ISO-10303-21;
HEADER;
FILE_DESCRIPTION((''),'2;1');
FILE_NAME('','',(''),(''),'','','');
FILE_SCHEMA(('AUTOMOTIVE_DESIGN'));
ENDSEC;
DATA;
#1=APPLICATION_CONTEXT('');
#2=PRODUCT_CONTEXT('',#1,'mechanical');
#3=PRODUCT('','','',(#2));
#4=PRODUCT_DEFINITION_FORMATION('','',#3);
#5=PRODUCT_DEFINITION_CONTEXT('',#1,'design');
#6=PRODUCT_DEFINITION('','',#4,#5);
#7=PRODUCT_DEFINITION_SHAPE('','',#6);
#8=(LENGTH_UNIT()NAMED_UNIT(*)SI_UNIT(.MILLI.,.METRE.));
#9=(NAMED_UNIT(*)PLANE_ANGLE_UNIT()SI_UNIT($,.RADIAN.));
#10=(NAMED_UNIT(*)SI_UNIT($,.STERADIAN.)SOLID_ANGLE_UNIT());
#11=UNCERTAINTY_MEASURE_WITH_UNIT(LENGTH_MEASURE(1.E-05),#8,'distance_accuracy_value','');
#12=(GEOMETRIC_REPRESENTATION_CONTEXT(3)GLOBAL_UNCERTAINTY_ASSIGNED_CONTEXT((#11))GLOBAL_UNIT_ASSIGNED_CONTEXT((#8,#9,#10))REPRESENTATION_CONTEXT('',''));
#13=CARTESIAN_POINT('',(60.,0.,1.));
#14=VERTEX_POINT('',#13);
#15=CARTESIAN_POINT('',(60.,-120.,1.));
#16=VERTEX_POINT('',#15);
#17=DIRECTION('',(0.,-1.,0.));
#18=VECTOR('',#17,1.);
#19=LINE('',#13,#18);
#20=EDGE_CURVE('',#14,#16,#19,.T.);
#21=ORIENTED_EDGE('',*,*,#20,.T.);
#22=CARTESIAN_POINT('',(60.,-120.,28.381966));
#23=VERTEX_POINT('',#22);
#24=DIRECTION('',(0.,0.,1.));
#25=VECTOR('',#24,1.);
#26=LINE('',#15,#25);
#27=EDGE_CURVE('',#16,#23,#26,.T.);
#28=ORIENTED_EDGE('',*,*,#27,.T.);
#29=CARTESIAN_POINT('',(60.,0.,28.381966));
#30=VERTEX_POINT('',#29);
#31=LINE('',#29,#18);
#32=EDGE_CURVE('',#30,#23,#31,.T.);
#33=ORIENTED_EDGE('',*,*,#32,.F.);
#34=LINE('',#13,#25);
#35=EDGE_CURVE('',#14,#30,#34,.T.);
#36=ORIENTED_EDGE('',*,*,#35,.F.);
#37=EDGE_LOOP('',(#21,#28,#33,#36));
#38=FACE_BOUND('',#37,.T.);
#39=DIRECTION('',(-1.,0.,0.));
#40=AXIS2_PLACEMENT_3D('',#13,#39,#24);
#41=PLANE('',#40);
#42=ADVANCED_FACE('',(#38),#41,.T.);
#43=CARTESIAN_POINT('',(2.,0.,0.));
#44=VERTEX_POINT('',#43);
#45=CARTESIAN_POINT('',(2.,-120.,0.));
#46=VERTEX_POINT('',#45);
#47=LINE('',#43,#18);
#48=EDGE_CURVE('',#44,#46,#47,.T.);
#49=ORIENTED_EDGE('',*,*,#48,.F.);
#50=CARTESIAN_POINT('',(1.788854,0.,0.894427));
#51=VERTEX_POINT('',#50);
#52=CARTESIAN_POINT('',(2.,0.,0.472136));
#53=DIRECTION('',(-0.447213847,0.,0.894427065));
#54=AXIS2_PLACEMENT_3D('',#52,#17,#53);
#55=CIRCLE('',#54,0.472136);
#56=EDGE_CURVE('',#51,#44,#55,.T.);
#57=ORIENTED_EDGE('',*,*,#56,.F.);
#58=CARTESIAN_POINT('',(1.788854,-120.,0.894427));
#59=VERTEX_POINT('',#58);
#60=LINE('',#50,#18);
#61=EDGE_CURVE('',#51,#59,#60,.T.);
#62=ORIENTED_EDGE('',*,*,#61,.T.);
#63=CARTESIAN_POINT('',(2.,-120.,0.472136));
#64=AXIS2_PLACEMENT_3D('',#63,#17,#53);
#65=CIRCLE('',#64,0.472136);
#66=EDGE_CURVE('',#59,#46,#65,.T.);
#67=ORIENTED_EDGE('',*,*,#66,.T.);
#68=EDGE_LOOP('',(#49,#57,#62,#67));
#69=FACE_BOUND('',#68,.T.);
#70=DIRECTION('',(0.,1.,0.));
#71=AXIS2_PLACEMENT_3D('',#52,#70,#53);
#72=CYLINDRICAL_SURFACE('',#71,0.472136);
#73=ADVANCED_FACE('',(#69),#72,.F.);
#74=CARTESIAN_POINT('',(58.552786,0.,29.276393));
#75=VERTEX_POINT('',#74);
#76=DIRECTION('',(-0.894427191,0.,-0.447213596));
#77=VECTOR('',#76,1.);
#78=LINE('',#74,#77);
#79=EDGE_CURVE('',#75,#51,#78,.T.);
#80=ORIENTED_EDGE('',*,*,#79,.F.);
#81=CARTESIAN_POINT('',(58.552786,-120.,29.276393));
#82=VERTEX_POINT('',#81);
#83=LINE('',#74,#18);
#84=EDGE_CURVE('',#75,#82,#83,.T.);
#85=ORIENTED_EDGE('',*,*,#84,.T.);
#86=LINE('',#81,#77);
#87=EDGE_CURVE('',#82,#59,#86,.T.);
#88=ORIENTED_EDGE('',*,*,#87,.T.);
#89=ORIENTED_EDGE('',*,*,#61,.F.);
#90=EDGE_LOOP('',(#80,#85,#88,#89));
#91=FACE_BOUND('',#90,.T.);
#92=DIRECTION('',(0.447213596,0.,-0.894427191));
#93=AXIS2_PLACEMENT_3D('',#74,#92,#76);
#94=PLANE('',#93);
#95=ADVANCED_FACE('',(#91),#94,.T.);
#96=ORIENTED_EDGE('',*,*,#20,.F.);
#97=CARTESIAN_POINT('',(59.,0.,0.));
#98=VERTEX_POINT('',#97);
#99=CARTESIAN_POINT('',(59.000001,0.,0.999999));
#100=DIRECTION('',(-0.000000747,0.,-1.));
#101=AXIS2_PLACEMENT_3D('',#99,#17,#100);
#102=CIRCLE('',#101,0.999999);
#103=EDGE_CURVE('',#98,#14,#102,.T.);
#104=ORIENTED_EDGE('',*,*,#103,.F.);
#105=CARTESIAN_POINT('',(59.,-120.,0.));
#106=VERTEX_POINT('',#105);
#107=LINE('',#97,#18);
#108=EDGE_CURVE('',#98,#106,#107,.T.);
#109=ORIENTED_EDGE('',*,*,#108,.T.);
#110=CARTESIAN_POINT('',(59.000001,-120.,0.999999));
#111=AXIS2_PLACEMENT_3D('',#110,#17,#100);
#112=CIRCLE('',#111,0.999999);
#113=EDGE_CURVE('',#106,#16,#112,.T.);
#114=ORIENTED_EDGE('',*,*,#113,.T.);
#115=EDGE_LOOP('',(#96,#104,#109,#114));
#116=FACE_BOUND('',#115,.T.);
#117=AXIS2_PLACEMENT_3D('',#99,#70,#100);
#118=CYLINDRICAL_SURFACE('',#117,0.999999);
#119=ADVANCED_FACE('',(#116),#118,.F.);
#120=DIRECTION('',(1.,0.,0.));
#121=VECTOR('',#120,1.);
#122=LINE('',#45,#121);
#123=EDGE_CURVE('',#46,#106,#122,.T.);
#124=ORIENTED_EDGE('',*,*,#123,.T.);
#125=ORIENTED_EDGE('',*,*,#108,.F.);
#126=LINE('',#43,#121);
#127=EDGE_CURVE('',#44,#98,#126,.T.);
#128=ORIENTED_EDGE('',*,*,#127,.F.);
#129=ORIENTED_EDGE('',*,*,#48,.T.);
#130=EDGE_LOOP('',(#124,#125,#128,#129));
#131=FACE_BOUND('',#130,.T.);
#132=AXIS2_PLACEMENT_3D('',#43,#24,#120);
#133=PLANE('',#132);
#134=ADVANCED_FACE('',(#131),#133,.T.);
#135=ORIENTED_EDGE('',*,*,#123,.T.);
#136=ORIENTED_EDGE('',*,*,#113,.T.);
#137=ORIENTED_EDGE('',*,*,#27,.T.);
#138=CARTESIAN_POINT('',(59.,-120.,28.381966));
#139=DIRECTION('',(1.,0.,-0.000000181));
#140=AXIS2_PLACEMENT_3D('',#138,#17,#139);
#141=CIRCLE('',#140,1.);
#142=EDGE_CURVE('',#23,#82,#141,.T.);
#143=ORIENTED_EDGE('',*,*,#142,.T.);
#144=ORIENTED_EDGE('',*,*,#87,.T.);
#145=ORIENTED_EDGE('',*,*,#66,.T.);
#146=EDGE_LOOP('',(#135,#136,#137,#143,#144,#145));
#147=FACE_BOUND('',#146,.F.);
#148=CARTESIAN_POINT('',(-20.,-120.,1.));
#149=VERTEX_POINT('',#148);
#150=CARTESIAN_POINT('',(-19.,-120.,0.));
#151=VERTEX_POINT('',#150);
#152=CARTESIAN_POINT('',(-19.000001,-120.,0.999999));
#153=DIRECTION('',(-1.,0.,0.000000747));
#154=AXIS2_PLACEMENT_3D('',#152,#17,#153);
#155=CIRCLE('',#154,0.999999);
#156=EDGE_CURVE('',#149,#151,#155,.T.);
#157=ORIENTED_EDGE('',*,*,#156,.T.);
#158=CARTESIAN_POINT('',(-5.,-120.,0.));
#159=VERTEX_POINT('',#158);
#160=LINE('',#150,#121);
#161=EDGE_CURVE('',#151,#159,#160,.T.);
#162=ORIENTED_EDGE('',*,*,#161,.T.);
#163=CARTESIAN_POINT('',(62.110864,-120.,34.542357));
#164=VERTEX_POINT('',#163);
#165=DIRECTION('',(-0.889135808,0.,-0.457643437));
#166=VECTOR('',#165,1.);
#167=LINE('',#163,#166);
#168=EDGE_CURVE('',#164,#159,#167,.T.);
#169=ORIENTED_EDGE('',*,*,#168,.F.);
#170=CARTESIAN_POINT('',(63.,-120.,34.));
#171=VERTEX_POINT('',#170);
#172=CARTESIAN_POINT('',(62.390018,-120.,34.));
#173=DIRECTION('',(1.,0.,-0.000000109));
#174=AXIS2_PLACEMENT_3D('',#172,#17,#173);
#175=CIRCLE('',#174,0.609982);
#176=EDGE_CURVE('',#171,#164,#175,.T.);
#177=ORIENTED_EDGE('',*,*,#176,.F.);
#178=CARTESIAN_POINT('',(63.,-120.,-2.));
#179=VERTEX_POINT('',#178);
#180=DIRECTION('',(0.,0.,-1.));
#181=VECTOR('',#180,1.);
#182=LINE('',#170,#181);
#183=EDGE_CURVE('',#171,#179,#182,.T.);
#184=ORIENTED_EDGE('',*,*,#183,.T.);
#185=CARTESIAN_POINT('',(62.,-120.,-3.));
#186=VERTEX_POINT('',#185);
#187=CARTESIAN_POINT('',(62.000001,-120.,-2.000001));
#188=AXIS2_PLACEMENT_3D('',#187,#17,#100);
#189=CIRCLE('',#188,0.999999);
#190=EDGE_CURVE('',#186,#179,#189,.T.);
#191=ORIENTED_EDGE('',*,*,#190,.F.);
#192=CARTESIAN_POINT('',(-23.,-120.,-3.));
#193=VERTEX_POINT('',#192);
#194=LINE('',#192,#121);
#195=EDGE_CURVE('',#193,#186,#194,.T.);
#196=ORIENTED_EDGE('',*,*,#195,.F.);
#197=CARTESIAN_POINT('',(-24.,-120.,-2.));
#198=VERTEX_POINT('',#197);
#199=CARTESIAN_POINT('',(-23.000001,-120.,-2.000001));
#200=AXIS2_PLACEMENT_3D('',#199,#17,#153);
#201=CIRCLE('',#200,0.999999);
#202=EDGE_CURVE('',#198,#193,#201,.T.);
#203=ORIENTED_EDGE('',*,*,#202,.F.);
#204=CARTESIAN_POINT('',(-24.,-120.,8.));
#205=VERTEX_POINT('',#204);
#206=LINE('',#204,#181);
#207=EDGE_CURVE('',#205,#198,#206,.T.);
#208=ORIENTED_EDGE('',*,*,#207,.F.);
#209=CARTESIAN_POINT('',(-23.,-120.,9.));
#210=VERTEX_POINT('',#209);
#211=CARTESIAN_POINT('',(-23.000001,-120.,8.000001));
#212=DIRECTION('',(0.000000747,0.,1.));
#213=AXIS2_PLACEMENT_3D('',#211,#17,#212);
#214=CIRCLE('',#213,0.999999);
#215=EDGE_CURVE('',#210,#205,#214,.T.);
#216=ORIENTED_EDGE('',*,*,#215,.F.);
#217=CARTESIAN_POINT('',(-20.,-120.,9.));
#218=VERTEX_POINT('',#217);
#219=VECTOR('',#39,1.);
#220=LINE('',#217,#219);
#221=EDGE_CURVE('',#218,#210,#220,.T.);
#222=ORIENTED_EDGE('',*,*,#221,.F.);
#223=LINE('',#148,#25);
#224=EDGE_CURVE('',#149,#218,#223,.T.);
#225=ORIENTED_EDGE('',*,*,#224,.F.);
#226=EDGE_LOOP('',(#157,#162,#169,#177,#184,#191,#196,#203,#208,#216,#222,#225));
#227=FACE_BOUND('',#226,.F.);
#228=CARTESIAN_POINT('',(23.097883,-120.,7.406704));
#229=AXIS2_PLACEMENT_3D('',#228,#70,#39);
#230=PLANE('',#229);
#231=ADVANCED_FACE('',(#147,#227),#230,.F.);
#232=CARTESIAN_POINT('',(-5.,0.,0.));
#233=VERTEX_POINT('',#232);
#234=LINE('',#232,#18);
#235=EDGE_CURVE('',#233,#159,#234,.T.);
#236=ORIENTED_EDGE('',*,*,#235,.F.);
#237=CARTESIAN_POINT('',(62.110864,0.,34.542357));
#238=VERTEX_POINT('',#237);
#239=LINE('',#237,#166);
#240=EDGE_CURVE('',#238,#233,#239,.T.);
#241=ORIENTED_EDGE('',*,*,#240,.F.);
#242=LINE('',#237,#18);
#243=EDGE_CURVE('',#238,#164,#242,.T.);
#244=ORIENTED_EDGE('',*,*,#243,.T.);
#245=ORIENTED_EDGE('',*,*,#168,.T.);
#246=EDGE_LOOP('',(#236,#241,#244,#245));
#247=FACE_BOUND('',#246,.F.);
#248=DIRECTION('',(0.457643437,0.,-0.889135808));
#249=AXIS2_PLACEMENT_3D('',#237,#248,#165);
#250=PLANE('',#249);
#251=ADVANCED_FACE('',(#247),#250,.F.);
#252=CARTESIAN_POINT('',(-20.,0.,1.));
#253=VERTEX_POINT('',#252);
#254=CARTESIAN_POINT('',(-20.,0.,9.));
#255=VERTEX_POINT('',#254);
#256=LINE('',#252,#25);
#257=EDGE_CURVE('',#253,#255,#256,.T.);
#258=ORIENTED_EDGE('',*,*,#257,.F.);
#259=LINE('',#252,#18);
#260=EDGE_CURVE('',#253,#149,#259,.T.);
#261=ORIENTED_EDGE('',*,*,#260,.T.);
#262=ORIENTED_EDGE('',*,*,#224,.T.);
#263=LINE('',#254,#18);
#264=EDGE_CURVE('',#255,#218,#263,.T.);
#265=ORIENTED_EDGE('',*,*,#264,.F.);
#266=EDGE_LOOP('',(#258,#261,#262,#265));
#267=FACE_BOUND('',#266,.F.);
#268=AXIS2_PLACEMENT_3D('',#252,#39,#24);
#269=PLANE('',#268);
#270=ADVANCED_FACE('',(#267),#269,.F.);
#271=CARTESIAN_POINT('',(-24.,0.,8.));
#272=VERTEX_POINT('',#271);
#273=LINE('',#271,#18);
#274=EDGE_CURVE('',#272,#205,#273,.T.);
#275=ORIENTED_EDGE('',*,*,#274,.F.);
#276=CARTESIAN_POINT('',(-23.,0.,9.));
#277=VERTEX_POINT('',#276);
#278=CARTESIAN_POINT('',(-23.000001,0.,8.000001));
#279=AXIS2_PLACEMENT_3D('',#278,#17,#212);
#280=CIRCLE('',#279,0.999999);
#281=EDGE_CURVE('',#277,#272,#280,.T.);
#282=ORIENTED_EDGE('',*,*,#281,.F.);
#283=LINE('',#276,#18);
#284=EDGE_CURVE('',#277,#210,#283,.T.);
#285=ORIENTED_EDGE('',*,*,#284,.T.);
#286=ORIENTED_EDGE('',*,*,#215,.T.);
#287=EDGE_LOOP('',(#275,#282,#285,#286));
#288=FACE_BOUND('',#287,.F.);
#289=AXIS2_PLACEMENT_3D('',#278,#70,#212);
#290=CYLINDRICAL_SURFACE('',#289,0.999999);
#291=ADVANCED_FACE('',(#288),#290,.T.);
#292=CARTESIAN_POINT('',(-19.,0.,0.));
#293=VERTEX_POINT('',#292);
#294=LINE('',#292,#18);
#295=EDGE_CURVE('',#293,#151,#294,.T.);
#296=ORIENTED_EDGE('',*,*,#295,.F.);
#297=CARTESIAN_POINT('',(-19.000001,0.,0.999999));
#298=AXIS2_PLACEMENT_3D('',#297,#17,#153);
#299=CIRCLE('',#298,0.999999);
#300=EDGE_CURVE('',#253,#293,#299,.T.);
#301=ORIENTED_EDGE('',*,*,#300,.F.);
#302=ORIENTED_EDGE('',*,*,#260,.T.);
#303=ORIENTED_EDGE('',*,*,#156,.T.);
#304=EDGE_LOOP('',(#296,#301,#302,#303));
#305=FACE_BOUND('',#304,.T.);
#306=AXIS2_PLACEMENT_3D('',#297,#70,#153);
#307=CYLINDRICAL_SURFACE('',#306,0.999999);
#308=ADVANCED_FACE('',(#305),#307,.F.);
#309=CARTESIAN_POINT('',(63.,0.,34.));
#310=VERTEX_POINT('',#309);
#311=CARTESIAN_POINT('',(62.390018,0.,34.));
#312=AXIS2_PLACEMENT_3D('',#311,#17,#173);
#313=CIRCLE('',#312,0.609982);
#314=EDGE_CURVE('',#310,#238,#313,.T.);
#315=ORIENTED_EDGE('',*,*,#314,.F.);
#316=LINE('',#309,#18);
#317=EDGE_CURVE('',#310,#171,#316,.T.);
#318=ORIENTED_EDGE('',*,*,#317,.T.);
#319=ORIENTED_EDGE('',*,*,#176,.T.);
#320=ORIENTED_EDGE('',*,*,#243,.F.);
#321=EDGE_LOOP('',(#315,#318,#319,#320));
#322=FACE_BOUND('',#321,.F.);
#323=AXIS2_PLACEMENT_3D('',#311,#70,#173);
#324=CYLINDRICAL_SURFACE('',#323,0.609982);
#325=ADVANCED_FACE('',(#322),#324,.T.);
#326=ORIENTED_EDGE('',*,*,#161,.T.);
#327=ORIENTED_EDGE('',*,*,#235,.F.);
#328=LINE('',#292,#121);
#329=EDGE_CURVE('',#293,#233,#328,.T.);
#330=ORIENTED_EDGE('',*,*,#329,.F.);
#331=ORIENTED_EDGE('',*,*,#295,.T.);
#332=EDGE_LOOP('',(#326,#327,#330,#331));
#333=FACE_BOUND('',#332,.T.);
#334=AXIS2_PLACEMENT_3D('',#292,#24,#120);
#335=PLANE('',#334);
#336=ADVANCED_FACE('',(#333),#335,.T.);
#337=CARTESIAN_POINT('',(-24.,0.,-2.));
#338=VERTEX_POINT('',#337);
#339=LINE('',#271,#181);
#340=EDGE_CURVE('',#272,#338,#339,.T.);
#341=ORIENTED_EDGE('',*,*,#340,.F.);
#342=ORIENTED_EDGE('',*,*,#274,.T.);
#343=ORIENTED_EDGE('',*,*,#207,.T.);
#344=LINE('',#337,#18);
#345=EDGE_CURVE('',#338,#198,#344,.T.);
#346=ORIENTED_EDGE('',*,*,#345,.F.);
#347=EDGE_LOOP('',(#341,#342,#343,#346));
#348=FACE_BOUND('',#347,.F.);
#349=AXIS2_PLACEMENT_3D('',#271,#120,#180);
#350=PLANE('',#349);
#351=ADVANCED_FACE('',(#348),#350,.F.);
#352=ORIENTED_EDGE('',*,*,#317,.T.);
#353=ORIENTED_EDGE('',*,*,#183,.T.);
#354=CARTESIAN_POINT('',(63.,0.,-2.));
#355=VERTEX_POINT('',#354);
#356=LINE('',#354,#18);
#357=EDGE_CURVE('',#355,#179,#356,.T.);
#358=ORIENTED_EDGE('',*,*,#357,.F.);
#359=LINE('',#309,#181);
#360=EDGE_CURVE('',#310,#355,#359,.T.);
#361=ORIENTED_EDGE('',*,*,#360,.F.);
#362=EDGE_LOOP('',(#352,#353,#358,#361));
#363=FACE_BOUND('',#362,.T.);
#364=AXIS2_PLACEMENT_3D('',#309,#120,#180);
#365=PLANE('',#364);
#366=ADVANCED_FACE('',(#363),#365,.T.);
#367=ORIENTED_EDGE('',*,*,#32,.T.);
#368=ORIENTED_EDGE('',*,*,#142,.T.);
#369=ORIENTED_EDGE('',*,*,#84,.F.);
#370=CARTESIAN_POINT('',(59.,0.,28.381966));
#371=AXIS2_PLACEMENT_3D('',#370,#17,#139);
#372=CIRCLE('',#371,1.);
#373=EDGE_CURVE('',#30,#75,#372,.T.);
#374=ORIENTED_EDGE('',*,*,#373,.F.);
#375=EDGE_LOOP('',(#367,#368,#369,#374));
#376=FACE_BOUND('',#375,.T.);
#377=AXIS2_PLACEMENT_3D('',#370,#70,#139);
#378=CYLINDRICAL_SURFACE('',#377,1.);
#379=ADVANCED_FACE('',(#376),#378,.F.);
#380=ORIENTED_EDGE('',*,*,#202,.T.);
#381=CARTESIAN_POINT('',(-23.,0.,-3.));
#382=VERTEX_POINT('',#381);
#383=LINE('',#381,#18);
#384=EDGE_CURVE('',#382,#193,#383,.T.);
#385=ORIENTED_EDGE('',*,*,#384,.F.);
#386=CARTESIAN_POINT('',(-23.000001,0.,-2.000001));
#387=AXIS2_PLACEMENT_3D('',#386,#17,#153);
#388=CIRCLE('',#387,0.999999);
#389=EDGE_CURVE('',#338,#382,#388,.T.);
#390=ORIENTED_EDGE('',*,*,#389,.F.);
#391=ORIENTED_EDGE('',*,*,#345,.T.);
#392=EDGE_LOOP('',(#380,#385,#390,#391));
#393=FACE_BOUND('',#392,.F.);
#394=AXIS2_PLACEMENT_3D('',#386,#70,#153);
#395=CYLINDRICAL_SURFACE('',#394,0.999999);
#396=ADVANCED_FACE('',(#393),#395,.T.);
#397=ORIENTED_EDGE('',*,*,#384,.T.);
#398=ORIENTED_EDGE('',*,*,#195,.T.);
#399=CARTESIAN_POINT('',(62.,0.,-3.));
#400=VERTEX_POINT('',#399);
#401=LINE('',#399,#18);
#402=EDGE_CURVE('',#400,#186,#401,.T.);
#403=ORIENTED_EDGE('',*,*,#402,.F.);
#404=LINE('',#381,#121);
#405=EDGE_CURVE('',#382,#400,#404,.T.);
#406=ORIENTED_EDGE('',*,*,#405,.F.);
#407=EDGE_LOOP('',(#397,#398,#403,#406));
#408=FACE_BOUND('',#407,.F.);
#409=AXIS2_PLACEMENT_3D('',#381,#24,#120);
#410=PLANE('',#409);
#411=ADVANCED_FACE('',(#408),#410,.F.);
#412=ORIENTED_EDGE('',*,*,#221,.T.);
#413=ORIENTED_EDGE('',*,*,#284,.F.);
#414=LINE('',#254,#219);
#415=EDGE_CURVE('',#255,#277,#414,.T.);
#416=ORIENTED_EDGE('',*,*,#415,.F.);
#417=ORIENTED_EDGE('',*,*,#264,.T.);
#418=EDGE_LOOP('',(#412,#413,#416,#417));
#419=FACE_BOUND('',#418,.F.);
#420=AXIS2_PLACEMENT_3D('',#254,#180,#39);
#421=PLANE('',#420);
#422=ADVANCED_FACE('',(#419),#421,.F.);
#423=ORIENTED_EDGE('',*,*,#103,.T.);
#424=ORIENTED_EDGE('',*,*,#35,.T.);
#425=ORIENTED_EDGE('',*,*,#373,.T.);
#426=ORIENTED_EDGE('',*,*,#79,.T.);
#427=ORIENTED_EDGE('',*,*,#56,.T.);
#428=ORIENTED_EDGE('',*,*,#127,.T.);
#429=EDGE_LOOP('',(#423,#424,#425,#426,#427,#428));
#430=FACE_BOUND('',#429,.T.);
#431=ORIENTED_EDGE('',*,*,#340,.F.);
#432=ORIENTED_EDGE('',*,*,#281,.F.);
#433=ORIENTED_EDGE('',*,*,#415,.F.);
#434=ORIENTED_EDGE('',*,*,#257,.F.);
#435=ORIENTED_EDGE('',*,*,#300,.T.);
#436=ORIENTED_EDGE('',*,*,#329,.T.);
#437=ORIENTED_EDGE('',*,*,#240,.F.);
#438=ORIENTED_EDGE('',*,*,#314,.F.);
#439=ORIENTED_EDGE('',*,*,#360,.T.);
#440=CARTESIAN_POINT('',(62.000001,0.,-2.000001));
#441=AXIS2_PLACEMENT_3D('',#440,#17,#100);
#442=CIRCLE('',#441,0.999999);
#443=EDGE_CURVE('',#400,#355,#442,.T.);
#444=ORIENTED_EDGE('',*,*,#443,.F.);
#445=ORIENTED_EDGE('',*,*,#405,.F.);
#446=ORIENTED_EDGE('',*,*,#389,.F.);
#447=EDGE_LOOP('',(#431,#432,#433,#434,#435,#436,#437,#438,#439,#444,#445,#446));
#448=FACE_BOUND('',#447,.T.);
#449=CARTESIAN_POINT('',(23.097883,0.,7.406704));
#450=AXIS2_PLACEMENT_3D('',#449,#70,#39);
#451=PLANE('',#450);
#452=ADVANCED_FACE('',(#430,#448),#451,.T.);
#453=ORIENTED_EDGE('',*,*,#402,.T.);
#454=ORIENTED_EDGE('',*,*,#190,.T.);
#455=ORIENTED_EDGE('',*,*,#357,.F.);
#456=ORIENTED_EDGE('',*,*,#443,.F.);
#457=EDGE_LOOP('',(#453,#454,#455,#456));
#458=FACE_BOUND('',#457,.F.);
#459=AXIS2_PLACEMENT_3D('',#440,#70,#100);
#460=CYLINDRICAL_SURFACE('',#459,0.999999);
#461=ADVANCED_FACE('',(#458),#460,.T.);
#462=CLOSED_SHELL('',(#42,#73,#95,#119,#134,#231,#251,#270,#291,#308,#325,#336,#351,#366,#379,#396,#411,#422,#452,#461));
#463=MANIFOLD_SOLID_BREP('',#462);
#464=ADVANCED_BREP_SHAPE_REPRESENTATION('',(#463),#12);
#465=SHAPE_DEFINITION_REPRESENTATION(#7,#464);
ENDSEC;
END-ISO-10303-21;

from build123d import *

# Parameters (mm, degrees)
PAD_DEPTH = 120


with BuildPart() as part:
    # Sketch → Pad (new body)
    with BuildSketch(Plane.XZ):
        with BuildLine():
            Line((63, 34), (63, -2))
            ThreePointArc((62, -3), (62.707107, -2.707107), (63, -2))
            Line((-23, -3), (62, -3))
            ThreePointArc((-24, -2), (-23.707107, -2.707107), (-23, -3))
            Line((-24, 8), (-24, -2))
            ThreePointArc((-23, 9), (-23.707107, 8.707107), (-24, 8))
            Line((-20, 9), (-23, 9))
            Line((-20, 1), (-20, 9))
            ThreePointArc((-20, 1), (-19.707107, 0.292893), (-19, 0))
            Line((-19, 0), (-5, 0))
            Line((62.110864, 34.542357), (-5, 0))
            ThreePointArc((63, 34), (62.707665, 34.520748), (62.110864, 34.542357))
        make_face()
        with BuildLine():
            Line((2, 0), (59, 0))
            ThreePointArc((59, 0), (59.707107, 0.292893), (60, 1))
            Line((60, 1), (60, 28.381966))
            ThreePointArc((60, 28.381966), (59.525731, 29.232617), (58.552786, 29.276393))
            Line((58.552786, 29.276393), (1.788854, 0.894427))
            ThreePointArc((1.788854, 0.894427), (1.540494, 0.363661), (2, 0))
        make_face(mode=Mode.SUBTRACT)
    extrude(amount=PAD_DEPTH)


solid = part.part
